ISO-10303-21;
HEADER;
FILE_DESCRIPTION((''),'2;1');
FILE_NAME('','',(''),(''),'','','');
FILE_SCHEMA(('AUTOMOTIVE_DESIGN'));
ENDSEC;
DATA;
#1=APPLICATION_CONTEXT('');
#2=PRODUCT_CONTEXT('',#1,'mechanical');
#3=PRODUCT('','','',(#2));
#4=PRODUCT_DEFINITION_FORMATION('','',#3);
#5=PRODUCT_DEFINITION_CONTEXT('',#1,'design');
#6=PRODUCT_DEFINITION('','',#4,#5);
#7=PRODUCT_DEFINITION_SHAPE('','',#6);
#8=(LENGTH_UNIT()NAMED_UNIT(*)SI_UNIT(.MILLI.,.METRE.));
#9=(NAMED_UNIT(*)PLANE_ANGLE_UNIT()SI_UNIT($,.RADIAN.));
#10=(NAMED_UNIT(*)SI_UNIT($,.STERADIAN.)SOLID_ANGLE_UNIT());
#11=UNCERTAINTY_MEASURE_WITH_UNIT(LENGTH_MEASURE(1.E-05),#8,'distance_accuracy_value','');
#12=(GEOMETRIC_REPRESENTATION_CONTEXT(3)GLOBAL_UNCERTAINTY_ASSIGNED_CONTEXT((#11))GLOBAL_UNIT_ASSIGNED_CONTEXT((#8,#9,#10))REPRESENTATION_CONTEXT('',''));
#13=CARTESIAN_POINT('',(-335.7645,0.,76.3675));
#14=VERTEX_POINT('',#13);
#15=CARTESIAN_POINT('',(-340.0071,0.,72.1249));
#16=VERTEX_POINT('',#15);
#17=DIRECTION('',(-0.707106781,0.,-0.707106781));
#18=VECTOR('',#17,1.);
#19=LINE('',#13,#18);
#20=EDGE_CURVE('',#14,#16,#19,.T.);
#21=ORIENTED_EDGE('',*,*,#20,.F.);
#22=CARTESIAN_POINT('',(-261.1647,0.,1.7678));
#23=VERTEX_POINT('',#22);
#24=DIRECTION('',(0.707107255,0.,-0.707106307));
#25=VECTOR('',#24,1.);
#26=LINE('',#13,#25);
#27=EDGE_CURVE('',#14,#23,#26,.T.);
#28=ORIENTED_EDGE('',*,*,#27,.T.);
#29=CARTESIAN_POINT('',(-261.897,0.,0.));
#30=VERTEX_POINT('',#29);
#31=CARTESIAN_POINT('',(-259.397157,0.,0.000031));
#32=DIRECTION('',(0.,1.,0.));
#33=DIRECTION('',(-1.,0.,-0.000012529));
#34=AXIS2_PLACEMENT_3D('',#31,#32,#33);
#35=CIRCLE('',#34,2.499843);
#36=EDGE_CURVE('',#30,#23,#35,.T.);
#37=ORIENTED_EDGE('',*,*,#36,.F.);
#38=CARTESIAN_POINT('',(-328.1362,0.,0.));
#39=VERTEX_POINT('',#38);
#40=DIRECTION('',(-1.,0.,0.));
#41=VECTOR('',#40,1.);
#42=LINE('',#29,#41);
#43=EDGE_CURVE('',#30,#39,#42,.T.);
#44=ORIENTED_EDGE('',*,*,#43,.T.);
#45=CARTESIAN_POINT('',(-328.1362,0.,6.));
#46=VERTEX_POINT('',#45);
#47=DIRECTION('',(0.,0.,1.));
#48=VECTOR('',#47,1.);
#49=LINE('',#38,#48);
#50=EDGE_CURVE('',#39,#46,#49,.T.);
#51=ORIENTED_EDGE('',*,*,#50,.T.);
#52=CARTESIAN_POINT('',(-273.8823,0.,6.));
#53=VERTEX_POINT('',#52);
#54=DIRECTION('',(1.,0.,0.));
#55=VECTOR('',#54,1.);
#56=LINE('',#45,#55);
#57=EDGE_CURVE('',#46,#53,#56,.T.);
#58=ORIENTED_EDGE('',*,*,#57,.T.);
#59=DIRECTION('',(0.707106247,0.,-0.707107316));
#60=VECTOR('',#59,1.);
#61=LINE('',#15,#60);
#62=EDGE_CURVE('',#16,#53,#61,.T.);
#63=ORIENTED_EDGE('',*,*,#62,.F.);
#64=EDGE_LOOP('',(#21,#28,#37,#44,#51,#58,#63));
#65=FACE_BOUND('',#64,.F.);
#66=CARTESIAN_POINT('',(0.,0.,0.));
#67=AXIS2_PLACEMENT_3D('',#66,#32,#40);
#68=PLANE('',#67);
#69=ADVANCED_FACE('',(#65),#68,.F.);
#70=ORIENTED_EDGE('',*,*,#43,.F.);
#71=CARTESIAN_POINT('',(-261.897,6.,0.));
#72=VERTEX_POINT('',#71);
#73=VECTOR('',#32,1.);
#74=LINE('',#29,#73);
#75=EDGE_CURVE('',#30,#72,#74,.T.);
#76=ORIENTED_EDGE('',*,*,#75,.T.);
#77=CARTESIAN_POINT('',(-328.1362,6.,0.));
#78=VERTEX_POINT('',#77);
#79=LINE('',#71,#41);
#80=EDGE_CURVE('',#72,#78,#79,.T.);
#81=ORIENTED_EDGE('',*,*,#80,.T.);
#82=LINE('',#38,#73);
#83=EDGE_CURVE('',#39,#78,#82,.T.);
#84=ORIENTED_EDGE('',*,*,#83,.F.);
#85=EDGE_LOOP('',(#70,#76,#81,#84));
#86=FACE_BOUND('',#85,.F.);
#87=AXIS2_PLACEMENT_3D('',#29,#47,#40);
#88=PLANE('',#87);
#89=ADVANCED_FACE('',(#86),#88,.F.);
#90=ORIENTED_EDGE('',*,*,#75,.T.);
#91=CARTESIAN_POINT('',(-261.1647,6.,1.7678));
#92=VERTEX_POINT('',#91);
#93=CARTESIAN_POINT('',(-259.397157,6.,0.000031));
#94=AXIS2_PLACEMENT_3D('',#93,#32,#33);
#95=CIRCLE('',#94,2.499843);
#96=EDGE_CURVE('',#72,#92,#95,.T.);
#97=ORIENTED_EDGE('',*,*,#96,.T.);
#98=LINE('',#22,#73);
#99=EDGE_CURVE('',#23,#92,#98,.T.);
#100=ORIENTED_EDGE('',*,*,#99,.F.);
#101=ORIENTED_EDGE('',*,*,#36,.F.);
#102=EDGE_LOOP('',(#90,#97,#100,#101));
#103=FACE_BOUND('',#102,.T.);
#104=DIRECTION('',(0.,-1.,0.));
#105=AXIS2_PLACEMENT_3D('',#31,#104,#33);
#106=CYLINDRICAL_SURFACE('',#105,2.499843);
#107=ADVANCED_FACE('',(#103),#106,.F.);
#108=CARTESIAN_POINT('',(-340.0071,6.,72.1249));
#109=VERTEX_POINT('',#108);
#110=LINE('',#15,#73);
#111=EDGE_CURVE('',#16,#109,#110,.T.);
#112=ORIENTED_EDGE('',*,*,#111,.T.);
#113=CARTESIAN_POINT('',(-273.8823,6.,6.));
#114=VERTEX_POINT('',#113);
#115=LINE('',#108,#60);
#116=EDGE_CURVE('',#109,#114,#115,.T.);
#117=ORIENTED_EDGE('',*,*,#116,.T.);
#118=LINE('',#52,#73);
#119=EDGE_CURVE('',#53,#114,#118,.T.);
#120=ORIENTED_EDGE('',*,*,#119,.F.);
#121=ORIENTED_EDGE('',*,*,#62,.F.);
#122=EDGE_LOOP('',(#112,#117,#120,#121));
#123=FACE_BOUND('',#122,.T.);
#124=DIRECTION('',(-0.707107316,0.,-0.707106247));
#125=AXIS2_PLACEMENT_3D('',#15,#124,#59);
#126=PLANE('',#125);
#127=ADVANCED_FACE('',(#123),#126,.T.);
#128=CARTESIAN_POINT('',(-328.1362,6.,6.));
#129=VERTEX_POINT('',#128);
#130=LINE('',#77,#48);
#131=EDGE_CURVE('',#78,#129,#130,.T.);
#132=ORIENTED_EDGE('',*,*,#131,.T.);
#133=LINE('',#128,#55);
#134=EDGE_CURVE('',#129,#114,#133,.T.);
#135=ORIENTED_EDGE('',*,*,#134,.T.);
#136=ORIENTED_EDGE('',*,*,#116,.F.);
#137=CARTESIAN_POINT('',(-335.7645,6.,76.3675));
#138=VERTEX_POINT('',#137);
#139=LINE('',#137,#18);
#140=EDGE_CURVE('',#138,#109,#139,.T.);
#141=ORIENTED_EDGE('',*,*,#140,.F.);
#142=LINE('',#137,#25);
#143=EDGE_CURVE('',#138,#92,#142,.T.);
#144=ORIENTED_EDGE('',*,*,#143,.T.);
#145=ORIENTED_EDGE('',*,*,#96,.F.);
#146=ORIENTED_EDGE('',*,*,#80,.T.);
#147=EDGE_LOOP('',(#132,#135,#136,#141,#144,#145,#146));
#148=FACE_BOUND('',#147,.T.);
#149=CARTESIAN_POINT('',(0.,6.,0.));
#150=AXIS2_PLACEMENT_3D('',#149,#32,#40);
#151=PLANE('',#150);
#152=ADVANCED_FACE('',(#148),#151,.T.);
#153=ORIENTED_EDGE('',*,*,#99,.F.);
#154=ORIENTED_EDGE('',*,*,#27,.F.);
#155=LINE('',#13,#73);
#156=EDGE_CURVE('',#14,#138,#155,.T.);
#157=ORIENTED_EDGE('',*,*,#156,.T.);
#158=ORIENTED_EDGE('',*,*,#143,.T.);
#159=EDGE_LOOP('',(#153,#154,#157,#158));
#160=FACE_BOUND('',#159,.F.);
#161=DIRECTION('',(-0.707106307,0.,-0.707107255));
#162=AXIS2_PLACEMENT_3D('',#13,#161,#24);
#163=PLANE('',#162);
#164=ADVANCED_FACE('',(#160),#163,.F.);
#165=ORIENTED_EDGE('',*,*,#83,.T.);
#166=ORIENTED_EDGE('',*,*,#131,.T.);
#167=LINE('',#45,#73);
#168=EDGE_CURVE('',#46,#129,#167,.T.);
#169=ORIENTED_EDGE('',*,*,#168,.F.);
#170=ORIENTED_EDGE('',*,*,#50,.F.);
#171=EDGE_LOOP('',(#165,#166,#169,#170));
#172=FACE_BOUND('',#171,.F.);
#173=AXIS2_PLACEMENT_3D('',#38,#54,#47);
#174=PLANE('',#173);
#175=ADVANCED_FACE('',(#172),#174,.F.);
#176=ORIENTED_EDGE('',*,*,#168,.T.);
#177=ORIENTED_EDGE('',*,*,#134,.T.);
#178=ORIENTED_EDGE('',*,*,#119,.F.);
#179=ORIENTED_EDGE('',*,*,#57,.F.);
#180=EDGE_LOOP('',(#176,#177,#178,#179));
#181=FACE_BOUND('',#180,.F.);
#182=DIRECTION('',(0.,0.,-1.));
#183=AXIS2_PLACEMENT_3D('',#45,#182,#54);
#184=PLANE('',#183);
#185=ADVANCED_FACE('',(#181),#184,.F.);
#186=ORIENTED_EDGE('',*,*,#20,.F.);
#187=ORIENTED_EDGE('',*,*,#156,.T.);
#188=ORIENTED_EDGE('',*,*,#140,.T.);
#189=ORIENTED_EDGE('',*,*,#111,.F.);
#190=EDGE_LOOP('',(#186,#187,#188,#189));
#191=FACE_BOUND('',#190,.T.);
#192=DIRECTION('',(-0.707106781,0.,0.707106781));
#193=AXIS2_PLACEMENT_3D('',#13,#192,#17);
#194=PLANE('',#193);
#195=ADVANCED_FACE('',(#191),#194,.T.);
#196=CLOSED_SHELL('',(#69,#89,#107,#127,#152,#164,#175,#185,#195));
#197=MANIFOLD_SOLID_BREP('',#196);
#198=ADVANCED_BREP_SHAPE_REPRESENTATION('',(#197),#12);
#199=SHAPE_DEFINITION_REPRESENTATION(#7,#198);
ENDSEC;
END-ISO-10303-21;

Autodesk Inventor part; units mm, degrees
ref_plane "YZ Plane" through (0, 0, 0) normal (1, 0, 0) x (0, 1, 0)
ref_plane "XZ Plane" through (0, 0, 0) normal (0, 1, 0) x (-1, 0, 0)
ref_plane "XY Plane" through (0, 0, 0) normal (0, 0, 1) x (1, 0, 0)
sketch "Sketch1" plane through (0, 0, 0) normal (0, 1, 0) x (-1, 0, 0)
  line L0 (0, 0) -> (200, 0)
  line L1 (200, 0) -> (306.066, 106.066)
  line L2 (306.066, 106.066) -> (335.7645, 76.3675)
  line L3 (0, 0) -> (0, -42)
  line L4 (0, -42) -> (350, -42)
  line L5 (350, -42) -> (328.1362, 0)
  line L6 (350, -42) -> (414.721, -42) construction
  line L7 (261.897, 0) -> (328.1362, 0)
  line L8 (335.7645, 76.3675) -> (261.1647, 1.7678)
  arc A0 (261.1647, 1.7678) -> (261.897, 0) centre (259.397, 0) ccw
  line L9 (328.1362, 0) -> (328.1362, 6)
  line L10 (328.1362, 6) -> (273.8823, 6)
  line L11 (335.7645, 76.3675) -> (340.0071, 72.1249)
  line L12 (340.0071, 72.1249) -> (273.8823, 6)
  arc A1 (261.897, 0) -> (261.1647, 1.7678) centre (259.397, 0) ccw
  dimension "d0" = 200
  dimension "d1" = 150
  dimension "d2" = 135
  dimension "d3" = 42
  dimension "d4" = 42
  dimension "d5" = 350
  dimension "d6" = 117.5
  dimension "d8" = 5
  dimension "d9" = 6
  dimension "d10" = 6
  dimension "d13" = 66.2392
  dimension "d14" = 54.2539
extrude "Extrusion1" add sketch "Sketch1" along normal blind 6 contours L11 L12 L10 L9 L7 A1 L8
properties part number "A_LeftWall2(plan)_5"
